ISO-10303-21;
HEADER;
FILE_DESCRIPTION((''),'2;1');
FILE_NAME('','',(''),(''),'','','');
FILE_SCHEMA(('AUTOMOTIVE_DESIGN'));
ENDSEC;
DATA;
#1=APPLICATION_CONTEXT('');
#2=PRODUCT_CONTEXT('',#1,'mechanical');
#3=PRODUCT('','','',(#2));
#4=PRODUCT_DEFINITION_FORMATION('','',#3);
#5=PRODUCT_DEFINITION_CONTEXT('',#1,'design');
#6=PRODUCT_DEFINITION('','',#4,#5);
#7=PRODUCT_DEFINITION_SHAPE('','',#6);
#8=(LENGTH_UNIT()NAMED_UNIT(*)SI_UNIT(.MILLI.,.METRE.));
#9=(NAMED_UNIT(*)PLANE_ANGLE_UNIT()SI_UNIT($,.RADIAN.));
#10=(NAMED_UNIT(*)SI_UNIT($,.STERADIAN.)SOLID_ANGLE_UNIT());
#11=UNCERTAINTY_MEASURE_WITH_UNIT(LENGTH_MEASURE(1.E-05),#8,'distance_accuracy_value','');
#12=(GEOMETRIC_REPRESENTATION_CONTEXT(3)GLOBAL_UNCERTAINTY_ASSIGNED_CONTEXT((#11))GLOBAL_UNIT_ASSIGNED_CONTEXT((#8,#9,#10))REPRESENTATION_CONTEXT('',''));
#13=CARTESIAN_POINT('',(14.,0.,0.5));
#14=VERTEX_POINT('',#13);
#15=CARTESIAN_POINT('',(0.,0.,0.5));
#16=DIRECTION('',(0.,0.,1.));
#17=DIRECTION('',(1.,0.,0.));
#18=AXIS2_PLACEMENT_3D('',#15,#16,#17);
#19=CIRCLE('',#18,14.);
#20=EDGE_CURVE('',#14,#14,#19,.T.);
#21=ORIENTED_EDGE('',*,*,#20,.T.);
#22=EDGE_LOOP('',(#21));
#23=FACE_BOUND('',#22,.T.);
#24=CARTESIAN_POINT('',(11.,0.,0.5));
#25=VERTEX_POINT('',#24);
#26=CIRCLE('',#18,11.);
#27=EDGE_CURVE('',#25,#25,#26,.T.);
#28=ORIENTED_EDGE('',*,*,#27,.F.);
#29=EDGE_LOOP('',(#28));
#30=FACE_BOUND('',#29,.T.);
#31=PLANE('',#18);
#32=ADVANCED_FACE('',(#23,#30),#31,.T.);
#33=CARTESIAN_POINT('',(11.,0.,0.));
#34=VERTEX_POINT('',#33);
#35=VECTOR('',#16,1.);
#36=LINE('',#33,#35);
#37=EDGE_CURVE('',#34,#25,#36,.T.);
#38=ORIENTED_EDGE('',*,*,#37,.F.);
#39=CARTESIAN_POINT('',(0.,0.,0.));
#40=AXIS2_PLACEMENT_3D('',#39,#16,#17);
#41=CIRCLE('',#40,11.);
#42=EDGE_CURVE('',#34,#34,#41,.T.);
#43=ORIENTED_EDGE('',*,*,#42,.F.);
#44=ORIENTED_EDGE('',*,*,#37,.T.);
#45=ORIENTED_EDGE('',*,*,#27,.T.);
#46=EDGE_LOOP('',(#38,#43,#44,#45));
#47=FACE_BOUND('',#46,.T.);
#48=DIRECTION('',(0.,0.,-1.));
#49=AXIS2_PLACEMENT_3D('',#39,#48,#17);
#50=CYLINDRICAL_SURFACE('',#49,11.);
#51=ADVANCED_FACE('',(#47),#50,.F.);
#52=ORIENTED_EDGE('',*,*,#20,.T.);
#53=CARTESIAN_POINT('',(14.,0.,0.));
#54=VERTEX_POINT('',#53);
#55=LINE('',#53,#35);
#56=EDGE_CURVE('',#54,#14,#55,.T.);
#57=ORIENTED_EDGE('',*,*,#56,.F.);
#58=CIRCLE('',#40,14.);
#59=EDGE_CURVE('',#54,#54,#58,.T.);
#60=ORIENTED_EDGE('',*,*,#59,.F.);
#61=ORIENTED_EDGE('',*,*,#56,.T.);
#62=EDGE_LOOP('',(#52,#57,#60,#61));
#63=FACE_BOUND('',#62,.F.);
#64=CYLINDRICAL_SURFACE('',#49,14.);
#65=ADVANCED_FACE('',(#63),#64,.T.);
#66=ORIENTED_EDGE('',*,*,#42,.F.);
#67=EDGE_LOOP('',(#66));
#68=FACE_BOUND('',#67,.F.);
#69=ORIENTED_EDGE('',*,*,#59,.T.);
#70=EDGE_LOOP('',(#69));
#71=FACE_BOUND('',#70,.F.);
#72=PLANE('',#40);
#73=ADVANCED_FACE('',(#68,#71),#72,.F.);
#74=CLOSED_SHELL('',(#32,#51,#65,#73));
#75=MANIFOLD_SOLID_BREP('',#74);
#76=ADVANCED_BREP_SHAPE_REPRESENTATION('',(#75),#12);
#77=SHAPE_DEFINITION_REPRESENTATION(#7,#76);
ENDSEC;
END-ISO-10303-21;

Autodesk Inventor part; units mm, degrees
ref_plane "YZ Plane" through (0, 0, 0) normal (1, 0, 0) x (0, 1, 0)
ref_plane "XZ Plane" through (0, 0, 0) normal (0, 1, 0) x (-1, 0, 0)
ref_plane "XY Plane" through (0, 0, 0) normal (0, 0, 1) x (1, 0, 0)
sketch "スケッチ1" plane through (0, 0, 0) normal (0, 0, 1) x (1, 0, 0)
  circle A0 centre (0, 0) radius 11
  circle A1 centre (0, 0) radius 14
  dimension "d0" = 22
  dimension "d1" = 28
extrude "押し出し1" add sketch "スケッチ1" along normal blind 0.5
properties part number "LL-2228-05"
